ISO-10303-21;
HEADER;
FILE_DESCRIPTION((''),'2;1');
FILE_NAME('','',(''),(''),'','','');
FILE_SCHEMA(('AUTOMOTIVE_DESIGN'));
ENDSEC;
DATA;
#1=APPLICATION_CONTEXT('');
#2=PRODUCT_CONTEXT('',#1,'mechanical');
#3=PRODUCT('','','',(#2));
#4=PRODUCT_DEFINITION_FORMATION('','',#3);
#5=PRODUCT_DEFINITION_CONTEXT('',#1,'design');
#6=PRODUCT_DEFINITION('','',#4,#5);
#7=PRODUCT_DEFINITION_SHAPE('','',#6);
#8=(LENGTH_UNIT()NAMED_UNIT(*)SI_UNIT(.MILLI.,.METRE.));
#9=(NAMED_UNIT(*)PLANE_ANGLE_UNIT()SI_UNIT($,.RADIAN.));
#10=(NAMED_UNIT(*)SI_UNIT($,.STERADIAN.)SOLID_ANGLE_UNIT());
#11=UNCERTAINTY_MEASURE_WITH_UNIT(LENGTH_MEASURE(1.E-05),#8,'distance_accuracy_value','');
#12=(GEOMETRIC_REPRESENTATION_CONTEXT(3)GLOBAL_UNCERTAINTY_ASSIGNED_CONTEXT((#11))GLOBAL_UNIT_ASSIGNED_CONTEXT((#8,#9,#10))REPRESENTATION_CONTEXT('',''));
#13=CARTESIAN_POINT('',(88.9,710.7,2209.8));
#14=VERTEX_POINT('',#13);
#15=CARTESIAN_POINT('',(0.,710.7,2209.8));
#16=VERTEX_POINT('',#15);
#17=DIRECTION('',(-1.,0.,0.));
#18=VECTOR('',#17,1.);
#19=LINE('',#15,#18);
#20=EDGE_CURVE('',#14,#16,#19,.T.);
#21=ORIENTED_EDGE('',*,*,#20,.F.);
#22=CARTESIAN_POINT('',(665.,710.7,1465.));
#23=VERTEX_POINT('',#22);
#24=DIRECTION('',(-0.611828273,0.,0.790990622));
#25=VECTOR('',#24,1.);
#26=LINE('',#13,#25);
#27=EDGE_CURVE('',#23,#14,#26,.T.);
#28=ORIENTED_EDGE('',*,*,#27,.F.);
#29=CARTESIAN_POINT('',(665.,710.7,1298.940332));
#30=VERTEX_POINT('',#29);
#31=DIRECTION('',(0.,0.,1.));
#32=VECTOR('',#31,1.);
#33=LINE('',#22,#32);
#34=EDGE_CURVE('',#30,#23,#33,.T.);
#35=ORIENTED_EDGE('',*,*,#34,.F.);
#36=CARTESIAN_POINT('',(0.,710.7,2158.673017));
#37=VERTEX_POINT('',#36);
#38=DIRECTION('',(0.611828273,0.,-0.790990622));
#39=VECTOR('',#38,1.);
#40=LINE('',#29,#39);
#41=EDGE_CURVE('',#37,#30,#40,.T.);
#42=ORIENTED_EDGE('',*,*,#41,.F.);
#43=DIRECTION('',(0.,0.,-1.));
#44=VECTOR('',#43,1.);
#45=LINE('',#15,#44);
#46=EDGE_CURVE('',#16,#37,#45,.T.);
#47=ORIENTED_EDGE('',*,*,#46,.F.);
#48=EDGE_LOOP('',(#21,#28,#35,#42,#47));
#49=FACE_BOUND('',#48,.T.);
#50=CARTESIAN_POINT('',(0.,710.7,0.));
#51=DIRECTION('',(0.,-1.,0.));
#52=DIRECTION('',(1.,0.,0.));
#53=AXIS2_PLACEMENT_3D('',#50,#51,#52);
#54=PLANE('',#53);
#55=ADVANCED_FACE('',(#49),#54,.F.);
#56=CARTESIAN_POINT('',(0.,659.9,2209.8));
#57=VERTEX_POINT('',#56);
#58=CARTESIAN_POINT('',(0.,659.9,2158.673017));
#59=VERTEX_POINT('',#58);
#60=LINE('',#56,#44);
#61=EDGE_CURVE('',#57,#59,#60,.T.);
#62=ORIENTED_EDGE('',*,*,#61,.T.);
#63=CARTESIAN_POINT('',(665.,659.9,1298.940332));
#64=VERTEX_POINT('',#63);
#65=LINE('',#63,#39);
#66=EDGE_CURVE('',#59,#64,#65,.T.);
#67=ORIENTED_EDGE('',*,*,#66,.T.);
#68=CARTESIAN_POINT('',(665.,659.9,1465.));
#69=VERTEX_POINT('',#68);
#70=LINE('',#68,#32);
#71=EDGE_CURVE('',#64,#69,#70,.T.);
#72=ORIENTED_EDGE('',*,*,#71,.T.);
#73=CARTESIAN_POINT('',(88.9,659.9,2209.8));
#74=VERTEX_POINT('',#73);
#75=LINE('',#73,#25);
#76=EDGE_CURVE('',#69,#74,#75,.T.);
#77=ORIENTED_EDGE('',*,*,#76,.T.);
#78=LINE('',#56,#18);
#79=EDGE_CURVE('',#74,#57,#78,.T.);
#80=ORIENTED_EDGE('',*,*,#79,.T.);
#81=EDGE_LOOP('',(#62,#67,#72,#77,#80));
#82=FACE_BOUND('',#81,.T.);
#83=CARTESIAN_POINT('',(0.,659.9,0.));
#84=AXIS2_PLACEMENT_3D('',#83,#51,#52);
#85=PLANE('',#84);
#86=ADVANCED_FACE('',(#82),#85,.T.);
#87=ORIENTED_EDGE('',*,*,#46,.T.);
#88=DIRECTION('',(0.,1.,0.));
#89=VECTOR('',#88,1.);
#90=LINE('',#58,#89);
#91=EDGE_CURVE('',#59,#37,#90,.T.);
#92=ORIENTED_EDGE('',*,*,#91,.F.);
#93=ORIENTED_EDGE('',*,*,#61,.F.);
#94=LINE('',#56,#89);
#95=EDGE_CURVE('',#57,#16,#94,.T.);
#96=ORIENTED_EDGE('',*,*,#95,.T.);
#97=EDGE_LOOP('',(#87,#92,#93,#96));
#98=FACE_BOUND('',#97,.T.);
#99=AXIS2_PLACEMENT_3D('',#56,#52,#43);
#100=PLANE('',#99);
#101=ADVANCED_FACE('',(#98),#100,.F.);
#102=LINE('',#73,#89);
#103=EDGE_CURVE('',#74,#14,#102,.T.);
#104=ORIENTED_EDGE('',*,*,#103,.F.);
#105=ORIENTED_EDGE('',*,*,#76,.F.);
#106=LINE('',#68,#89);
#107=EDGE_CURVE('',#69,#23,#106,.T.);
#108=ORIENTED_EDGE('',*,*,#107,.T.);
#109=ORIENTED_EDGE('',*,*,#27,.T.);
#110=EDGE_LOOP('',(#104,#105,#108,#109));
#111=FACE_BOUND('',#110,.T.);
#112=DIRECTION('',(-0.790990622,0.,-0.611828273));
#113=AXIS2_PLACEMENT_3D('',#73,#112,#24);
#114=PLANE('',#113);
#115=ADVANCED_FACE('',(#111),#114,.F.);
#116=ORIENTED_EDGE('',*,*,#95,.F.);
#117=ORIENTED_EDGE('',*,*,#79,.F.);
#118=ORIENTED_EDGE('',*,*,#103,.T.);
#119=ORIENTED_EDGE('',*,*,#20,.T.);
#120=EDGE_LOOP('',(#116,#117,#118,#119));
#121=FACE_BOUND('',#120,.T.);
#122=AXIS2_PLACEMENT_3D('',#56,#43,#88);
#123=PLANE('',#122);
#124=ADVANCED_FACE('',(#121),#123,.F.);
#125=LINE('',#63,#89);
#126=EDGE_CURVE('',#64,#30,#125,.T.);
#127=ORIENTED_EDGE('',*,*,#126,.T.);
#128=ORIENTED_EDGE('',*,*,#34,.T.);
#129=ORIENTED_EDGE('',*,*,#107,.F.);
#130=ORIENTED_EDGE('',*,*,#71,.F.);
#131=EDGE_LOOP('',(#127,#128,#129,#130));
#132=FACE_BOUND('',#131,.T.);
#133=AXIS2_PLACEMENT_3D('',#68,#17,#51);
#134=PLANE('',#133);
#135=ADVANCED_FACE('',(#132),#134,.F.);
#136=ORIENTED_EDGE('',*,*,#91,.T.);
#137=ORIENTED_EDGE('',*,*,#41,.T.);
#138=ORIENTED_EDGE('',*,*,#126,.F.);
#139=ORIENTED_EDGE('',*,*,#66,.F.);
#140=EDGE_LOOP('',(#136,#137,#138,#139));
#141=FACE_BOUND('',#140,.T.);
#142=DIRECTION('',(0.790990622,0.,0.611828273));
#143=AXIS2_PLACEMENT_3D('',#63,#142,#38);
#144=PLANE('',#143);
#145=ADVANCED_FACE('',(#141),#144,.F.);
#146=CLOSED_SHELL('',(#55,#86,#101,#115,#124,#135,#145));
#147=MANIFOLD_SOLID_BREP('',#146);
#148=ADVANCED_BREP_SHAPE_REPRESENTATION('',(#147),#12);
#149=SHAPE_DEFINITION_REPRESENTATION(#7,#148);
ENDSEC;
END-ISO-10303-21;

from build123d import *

# Parameters (mm, degrees)
BOSS_EXTRUDE1_DEPTH = 50.8


with BuildPart() as part:
    # Sketch2 → Boss-Extrude1 (new body)
    with BuildSketch(Plane.XZ.offset(-710.7)):
        Polygon((665, 1298.940331748), (0, 2158.673017045), (0, 2209.8), (88.9, 2209.8), (665, 1465), align=None)
    extrude(amount=BOSS_EXTRUDE1_DEPTH)


solid = part.part
